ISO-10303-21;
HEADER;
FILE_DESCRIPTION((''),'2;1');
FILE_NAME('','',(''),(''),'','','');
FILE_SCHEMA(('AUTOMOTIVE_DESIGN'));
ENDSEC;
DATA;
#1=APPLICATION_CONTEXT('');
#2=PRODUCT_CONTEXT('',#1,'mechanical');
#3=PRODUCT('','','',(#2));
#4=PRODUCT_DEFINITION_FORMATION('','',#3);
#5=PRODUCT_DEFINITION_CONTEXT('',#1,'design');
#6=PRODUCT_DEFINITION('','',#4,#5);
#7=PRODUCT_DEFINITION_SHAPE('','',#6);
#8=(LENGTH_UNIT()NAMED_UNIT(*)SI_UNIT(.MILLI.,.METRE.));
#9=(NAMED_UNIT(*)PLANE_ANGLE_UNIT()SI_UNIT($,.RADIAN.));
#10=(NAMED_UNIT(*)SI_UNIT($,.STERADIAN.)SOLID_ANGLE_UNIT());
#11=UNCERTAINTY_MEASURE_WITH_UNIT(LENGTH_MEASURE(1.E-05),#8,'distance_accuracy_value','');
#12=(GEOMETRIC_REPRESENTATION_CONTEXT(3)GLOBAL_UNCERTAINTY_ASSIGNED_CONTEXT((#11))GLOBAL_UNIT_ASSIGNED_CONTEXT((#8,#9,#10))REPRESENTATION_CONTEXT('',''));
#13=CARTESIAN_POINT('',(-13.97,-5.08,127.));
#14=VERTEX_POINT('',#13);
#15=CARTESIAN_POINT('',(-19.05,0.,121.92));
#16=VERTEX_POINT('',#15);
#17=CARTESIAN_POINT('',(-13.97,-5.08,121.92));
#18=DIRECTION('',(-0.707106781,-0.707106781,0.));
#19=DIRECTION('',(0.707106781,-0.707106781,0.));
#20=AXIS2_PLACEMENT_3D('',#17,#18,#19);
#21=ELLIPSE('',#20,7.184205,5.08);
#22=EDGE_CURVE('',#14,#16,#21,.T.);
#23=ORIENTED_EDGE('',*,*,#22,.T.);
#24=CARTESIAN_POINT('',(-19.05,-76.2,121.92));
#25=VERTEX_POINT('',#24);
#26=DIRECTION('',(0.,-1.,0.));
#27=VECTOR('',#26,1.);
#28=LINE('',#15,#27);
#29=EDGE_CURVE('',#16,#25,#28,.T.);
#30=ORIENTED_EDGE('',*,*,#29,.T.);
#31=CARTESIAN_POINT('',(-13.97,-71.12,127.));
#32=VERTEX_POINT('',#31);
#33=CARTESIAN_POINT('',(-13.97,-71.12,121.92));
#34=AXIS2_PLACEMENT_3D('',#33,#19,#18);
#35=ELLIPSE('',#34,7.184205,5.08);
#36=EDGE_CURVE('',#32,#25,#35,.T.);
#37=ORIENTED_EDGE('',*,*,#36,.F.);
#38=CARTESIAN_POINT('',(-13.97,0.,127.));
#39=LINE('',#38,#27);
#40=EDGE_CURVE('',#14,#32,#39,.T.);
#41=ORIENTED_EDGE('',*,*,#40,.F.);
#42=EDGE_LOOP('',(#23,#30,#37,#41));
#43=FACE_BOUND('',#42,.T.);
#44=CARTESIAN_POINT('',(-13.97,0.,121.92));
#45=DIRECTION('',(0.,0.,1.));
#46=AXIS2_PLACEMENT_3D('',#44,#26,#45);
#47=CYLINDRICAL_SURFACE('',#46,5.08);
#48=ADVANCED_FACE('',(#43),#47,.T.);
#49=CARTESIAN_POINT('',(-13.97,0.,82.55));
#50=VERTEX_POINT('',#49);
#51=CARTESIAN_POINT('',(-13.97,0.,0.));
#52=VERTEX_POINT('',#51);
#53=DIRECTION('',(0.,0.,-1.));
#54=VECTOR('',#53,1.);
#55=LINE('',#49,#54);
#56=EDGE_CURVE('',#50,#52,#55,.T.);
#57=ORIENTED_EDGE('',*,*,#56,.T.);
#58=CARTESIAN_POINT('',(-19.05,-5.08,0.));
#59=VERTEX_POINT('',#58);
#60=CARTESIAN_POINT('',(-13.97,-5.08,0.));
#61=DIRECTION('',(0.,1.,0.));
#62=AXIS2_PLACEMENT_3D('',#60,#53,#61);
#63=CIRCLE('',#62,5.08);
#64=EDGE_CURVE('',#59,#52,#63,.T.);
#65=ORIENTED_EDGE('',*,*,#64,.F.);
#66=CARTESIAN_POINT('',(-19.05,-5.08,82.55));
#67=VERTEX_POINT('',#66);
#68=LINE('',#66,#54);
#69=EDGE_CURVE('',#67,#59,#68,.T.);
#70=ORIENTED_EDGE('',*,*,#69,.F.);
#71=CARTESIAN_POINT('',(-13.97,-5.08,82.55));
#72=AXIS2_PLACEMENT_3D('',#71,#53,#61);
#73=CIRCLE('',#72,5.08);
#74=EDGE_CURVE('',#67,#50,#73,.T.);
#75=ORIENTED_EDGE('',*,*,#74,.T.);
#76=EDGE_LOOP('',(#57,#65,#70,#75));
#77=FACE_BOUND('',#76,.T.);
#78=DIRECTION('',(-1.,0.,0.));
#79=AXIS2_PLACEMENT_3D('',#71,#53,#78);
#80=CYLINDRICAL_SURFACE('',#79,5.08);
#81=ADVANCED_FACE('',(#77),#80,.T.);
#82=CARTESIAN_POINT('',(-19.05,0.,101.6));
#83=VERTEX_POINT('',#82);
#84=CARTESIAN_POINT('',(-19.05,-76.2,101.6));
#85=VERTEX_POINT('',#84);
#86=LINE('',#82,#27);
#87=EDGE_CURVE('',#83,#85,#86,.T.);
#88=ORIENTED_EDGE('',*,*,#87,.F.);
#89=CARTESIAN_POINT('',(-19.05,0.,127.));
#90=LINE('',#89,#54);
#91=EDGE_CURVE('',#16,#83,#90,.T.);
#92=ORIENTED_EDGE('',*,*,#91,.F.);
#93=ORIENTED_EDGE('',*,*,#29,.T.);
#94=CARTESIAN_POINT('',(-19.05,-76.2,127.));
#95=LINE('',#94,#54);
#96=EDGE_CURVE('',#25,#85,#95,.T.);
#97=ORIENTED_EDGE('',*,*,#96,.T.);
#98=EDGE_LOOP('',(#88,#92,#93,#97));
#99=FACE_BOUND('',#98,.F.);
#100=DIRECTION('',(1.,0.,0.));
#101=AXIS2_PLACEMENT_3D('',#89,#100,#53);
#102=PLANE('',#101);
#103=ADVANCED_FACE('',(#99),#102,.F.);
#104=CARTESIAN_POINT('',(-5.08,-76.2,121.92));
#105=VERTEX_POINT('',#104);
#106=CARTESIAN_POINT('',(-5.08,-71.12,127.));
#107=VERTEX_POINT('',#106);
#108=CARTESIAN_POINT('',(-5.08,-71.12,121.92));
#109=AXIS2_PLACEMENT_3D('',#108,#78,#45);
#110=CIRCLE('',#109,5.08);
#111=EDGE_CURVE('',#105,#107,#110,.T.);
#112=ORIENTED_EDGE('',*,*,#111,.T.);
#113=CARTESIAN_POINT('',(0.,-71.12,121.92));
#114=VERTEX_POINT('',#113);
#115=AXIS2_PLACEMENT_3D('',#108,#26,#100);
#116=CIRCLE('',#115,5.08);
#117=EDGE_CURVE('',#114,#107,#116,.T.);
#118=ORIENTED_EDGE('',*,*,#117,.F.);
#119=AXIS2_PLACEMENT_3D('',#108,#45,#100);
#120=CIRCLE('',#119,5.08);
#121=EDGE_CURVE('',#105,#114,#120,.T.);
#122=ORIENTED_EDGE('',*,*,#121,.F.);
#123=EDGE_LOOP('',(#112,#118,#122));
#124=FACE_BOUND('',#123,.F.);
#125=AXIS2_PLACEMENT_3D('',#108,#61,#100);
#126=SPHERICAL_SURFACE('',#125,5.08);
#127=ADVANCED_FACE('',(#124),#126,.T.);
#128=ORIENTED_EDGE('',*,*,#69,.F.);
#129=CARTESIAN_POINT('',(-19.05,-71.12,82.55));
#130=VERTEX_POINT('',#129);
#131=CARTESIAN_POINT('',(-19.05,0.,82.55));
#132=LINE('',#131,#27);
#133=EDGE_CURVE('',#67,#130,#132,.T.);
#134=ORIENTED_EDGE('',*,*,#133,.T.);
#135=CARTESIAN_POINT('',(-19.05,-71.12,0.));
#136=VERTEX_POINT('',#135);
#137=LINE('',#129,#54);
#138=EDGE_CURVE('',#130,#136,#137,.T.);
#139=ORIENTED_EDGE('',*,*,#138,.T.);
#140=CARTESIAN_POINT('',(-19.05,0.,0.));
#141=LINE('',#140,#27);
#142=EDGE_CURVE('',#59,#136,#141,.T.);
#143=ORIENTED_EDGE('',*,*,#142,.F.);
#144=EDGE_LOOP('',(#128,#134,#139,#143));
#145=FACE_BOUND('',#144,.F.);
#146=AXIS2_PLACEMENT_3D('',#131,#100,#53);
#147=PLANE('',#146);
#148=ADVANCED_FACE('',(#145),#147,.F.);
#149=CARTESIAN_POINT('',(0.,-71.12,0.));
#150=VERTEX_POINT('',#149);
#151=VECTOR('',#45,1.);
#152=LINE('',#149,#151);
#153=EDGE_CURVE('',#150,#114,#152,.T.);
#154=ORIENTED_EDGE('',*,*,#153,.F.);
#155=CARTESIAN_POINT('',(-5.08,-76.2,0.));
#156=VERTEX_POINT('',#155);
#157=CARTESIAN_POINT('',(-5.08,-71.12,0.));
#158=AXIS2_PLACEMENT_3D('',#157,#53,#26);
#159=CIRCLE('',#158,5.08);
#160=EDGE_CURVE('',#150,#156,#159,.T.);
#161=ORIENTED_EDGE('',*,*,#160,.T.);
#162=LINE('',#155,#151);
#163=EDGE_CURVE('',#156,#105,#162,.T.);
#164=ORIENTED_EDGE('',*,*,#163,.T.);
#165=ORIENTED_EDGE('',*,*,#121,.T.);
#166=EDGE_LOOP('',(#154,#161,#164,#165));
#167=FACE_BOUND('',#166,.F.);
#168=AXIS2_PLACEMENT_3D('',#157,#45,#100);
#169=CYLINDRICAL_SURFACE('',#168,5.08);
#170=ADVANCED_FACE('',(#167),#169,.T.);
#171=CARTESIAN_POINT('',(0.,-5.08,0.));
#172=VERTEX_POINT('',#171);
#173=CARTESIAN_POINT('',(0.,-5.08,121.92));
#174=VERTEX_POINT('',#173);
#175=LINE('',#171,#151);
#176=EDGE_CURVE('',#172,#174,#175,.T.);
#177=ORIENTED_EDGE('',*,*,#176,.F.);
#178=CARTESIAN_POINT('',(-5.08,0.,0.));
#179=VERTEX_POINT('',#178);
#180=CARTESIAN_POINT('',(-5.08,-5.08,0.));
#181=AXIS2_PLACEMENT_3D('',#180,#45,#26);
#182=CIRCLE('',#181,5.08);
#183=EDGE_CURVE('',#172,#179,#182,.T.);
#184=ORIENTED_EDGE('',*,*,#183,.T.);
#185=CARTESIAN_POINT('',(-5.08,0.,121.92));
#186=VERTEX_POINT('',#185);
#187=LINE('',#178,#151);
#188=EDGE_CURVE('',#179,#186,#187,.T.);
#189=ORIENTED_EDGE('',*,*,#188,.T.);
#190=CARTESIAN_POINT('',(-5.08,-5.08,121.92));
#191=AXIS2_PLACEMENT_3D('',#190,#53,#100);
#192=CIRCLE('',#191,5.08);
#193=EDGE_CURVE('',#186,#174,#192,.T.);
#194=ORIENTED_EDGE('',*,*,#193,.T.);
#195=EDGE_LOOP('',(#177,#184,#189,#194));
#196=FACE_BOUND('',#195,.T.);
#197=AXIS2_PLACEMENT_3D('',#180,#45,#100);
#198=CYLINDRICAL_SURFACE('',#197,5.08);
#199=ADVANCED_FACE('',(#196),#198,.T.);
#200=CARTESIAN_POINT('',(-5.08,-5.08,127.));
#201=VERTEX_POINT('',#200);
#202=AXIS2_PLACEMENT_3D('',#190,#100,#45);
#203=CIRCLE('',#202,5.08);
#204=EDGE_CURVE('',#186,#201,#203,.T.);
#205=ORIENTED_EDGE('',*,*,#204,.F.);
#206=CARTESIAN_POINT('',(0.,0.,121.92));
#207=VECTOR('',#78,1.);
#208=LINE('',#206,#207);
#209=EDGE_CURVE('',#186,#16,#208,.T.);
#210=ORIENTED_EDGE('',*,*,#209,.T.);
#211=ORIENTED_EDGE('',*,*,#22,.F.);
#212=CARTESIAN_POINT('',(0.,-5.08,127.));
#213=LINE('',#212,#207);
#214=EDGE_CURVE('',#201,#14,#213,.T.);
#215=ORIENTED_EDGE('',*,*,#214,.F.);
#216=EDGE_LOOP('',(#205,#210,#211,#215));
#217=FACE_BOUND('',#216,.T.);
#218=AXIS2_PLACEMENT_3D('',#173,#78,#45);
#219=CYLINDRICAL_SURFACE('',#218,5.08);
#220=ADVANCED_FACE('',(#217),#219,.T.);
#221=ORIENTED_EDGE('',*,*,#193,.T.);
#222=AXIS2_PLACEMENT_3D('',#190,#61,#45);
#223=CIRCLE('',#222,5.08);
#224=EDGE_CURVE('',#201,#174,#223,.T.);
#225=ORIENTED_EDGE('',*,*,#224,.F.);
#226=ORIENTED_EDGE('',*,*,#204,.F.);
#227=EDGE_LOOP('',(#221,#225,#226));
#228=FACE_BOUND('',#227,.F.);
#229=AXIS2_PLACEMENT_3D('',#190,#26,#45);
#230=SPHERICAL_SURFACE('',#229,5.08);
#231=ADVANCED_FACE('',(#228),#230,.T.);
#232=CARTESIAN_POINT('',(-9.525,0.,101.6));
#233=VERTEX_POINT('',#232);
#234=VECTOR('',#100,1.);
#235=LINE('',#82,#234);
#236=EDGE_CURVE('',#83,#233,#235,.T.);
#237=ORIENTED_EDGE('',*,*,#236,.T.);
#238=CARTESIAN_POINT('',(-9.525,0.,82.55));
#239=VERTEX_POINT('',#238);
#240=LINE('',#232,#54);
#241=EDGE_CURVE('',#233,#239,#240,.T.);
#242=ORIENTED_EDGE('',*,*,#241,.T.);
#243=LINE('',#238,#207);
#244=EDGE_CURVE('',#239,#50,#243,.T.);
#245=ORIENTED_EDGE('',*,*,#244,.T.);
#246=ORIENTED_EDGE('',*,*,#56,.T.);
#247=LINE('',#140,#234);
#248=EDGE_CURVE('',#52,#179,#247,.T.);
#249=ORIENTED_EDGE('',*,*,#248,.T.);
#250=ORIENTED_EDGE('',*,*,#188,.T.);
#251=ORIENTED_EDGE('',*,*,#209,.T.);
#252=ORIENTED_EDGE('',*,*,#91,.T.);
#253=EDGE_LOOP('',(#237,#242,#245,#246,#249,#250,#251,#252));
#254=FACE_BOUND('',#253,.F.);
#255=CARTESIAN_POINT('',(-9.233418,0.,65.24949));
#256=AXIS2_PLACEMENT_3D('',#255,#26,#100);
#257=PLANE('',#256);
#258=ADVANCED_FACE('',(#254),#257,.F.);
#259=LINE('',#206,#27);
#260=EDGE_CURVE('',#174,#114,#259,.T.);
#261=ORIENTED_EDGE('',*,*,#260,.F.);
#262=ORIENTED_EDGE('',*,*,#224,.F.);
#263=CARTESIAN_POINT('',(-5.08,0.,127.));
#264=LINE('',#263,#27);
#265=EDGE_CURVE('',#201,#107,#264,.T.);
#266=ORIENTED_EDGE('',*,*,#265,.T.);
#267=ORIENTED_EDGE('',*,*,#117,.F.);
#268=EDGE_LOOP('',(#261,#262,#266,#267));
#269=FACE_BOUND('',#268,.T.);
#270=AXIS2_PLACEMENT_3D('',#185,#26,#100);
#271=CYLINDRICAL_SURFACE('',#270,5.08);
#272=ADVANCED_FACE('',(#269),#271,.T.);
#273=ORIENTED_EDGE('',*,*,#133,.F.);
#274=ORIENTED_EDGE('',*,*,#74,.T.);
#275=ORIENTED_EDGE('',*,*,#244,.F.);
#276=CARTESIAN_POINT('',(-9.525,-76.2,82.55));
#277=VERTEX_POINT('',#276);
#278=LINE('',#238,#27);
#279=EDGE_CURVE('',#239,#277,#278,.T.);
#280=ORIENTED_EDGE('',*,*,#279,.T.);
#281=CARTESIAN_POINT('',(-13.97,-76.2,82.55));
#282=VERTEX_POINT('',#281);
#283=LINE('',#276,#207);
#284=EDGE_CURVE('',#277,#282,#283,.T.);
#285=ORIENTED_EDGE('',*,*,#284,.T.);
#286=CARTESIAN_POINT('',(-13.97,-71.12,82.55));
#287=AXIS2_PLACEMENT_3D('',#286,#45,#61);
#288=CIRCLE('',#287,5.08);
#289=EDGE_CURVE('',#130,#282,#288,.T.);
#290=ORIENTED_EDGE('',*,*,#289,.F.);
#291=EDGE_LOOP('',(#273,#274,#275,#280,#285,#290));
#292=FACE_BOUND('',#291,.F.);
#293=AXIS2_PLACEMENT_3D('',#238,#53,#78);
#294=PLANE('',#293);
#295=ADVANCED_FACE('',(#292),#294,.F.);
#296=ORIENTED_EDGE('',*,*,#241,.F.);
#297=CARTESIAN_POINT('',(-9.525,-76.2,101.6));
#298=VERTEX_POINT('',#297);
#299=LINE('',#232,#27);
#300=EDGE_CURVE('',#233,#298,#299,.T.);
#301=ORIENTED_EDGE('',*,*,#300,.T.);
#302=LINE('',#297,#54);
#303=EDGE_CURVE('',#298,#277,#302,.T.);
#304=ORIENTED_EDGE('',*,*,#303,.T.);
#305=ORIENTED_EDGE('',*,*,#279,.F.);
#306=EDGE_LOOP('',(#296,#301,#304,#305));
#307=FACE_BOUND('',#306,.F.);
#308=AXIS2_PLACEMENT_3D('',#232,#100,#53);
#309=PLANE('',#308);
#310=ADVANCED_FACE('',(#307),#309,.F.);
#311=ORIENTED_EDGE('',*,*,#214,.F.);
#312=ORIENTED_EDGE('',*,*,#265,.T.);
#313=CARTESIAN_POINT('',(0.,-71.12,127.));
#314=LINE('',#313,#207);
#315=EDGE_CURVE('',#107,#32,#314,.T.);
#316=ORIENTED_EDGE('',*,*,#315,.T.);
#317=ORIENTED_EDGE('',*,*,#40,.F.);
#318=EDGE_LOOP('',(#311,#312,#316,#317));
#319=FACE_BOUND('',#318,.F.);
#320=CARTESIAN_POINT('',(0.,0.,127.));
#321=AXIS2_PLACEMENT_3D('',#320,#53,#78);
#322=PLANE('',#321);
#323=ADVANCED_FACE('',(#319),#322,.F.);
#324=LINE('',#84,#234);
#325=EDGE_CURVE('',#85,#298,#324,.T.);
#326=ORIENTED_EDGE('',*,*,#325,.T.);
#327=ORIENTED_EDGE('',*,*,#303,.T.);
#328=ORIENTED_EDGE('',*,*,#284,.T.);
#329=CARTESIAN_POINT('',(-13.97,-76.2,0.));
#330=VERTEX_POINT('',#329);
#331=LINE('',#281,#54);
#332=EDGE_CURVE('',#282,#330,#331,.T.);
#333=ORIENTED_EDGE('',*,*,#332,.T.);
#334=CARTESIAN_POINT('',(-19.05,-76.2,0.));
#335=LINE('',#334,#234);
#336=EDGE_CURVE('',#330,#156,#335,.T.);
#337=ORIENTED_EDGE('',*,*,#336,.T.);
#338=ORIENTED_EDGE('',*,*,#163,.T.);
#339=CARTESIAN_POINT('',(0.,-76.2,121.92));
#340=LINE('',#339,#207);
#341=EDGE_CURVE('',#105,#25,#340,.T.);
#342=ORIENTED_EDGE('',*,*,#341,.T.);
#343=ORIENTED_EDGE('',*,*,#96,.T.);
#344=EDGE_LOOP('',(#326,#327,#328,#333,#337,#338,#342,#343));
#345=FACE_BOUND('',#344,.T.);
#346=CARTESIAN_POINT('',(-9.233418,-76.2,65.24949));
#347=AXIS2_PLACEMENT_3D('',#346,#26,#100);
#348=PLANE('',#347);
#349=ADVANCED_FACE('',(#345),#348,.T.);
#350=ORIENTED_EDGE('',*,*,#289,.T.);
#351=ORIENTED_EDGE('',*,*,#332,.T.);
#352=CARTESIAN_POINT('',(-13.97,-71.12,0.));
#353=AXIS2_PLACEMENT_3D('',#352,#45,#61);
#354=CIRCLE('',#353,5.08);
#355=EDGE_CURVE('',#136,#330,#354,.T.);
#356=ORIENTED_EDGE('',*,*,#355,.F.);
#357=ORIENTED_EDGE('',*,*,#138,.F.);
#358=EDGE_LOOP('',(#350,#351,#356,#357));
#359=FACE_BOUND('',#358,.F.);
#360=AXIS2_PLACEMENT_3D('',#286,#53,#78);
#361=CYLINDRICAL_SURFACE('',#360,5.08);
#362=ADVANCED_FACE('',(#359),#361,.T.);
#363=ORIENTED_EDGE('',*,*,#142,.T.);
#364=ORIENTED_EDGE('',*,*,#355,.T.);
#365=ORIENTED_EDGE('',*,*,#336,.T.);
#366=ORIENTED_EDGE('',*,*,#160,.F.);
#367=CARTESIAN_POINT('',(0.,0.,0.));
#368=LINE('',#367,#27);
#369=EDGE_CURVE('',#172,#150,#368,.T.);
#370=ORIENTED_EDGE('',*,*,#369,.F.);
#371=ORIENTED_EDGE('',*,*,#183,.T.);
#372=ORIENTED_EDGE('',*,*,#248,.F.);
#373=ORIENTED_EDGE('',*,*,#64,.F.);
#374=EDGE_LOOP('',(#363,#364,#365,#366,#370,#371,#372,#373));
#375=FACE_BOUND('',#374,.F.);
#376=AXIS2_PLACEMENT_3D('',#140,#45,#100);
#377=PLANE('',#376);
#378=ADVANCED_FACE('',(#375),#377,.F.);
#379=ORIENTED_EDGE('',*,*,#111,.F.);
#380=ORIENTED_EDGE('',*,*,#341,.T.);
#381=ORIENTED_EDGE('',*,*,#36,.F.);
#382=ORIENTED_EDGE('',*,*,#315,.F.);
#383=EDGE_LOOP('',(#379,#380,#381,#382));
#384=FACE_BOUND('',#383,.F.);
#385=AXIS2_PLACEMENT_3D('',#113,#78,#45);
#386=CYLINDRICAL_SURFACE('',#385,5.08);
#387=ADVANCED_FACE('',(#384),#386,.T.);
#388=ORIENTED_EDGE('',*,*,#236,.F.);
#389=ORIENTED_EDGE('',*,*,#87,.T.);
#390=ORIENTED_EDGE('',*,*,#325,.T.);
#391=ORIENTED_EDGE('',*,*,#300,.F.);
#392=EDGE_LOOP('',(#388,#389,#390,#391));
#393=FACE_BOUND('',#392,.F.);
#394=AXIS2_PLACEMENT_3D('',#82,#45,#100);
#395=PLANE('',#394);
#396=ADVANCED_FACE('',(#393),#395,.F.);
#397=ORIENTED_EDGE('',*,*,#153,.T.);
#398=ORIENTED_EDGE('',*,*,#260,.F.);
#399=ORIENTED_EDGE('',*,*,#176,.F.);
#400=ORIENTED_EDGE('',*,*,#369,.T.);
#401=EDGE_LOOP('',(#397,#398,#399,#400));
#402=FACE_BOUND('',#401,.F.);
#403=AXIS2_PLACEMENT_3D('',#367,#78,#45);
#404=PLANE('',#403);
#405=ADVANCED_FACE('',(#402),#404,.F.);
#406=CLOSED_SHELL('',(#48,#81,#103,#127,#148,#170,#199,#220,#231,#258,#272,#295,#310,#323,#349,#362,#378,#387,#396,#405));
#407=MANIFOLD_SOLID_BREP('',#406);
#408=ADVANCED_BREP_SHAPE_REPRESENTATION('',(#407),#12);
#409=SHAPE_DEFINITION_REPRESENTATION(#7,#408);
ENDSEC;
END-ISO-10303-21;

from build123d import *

# Parameters (mm, degrees)
F1_DEPTH = 76.2
F2_R     = 5.08


with BuildPart() as f1:
    # F0 (on Front) → F1 (new body)
    with BuildSketch(Plane.XZ):
        Polygon((-19.05, 0), (0, 0), (0, 127), (-19.05, 127), (-19.05, 101.6), (-9.525, 101.6), (-9.525, 82.55), (-19.05, 82.55), align=None)
    extrude(amount=F1_DEPTH)

    # F2
    f2_edges = [f1.edges().sort_by_distance(p)[0] for p in [
        (0, -38.1, 127),
        (0, -76.2, 63.5),
        (-9.525, -76.2, 127),
        (-19.05, -76.2, 41.275),
        (-19.05, 0, 41.275),
        (-19.05, -38.1, 127),
        (-9.525, 0, 127),
        (0, 0, 63.5),
    ]]
    fillet(f2_edges, radius=F2_R)


solid = f1.part
